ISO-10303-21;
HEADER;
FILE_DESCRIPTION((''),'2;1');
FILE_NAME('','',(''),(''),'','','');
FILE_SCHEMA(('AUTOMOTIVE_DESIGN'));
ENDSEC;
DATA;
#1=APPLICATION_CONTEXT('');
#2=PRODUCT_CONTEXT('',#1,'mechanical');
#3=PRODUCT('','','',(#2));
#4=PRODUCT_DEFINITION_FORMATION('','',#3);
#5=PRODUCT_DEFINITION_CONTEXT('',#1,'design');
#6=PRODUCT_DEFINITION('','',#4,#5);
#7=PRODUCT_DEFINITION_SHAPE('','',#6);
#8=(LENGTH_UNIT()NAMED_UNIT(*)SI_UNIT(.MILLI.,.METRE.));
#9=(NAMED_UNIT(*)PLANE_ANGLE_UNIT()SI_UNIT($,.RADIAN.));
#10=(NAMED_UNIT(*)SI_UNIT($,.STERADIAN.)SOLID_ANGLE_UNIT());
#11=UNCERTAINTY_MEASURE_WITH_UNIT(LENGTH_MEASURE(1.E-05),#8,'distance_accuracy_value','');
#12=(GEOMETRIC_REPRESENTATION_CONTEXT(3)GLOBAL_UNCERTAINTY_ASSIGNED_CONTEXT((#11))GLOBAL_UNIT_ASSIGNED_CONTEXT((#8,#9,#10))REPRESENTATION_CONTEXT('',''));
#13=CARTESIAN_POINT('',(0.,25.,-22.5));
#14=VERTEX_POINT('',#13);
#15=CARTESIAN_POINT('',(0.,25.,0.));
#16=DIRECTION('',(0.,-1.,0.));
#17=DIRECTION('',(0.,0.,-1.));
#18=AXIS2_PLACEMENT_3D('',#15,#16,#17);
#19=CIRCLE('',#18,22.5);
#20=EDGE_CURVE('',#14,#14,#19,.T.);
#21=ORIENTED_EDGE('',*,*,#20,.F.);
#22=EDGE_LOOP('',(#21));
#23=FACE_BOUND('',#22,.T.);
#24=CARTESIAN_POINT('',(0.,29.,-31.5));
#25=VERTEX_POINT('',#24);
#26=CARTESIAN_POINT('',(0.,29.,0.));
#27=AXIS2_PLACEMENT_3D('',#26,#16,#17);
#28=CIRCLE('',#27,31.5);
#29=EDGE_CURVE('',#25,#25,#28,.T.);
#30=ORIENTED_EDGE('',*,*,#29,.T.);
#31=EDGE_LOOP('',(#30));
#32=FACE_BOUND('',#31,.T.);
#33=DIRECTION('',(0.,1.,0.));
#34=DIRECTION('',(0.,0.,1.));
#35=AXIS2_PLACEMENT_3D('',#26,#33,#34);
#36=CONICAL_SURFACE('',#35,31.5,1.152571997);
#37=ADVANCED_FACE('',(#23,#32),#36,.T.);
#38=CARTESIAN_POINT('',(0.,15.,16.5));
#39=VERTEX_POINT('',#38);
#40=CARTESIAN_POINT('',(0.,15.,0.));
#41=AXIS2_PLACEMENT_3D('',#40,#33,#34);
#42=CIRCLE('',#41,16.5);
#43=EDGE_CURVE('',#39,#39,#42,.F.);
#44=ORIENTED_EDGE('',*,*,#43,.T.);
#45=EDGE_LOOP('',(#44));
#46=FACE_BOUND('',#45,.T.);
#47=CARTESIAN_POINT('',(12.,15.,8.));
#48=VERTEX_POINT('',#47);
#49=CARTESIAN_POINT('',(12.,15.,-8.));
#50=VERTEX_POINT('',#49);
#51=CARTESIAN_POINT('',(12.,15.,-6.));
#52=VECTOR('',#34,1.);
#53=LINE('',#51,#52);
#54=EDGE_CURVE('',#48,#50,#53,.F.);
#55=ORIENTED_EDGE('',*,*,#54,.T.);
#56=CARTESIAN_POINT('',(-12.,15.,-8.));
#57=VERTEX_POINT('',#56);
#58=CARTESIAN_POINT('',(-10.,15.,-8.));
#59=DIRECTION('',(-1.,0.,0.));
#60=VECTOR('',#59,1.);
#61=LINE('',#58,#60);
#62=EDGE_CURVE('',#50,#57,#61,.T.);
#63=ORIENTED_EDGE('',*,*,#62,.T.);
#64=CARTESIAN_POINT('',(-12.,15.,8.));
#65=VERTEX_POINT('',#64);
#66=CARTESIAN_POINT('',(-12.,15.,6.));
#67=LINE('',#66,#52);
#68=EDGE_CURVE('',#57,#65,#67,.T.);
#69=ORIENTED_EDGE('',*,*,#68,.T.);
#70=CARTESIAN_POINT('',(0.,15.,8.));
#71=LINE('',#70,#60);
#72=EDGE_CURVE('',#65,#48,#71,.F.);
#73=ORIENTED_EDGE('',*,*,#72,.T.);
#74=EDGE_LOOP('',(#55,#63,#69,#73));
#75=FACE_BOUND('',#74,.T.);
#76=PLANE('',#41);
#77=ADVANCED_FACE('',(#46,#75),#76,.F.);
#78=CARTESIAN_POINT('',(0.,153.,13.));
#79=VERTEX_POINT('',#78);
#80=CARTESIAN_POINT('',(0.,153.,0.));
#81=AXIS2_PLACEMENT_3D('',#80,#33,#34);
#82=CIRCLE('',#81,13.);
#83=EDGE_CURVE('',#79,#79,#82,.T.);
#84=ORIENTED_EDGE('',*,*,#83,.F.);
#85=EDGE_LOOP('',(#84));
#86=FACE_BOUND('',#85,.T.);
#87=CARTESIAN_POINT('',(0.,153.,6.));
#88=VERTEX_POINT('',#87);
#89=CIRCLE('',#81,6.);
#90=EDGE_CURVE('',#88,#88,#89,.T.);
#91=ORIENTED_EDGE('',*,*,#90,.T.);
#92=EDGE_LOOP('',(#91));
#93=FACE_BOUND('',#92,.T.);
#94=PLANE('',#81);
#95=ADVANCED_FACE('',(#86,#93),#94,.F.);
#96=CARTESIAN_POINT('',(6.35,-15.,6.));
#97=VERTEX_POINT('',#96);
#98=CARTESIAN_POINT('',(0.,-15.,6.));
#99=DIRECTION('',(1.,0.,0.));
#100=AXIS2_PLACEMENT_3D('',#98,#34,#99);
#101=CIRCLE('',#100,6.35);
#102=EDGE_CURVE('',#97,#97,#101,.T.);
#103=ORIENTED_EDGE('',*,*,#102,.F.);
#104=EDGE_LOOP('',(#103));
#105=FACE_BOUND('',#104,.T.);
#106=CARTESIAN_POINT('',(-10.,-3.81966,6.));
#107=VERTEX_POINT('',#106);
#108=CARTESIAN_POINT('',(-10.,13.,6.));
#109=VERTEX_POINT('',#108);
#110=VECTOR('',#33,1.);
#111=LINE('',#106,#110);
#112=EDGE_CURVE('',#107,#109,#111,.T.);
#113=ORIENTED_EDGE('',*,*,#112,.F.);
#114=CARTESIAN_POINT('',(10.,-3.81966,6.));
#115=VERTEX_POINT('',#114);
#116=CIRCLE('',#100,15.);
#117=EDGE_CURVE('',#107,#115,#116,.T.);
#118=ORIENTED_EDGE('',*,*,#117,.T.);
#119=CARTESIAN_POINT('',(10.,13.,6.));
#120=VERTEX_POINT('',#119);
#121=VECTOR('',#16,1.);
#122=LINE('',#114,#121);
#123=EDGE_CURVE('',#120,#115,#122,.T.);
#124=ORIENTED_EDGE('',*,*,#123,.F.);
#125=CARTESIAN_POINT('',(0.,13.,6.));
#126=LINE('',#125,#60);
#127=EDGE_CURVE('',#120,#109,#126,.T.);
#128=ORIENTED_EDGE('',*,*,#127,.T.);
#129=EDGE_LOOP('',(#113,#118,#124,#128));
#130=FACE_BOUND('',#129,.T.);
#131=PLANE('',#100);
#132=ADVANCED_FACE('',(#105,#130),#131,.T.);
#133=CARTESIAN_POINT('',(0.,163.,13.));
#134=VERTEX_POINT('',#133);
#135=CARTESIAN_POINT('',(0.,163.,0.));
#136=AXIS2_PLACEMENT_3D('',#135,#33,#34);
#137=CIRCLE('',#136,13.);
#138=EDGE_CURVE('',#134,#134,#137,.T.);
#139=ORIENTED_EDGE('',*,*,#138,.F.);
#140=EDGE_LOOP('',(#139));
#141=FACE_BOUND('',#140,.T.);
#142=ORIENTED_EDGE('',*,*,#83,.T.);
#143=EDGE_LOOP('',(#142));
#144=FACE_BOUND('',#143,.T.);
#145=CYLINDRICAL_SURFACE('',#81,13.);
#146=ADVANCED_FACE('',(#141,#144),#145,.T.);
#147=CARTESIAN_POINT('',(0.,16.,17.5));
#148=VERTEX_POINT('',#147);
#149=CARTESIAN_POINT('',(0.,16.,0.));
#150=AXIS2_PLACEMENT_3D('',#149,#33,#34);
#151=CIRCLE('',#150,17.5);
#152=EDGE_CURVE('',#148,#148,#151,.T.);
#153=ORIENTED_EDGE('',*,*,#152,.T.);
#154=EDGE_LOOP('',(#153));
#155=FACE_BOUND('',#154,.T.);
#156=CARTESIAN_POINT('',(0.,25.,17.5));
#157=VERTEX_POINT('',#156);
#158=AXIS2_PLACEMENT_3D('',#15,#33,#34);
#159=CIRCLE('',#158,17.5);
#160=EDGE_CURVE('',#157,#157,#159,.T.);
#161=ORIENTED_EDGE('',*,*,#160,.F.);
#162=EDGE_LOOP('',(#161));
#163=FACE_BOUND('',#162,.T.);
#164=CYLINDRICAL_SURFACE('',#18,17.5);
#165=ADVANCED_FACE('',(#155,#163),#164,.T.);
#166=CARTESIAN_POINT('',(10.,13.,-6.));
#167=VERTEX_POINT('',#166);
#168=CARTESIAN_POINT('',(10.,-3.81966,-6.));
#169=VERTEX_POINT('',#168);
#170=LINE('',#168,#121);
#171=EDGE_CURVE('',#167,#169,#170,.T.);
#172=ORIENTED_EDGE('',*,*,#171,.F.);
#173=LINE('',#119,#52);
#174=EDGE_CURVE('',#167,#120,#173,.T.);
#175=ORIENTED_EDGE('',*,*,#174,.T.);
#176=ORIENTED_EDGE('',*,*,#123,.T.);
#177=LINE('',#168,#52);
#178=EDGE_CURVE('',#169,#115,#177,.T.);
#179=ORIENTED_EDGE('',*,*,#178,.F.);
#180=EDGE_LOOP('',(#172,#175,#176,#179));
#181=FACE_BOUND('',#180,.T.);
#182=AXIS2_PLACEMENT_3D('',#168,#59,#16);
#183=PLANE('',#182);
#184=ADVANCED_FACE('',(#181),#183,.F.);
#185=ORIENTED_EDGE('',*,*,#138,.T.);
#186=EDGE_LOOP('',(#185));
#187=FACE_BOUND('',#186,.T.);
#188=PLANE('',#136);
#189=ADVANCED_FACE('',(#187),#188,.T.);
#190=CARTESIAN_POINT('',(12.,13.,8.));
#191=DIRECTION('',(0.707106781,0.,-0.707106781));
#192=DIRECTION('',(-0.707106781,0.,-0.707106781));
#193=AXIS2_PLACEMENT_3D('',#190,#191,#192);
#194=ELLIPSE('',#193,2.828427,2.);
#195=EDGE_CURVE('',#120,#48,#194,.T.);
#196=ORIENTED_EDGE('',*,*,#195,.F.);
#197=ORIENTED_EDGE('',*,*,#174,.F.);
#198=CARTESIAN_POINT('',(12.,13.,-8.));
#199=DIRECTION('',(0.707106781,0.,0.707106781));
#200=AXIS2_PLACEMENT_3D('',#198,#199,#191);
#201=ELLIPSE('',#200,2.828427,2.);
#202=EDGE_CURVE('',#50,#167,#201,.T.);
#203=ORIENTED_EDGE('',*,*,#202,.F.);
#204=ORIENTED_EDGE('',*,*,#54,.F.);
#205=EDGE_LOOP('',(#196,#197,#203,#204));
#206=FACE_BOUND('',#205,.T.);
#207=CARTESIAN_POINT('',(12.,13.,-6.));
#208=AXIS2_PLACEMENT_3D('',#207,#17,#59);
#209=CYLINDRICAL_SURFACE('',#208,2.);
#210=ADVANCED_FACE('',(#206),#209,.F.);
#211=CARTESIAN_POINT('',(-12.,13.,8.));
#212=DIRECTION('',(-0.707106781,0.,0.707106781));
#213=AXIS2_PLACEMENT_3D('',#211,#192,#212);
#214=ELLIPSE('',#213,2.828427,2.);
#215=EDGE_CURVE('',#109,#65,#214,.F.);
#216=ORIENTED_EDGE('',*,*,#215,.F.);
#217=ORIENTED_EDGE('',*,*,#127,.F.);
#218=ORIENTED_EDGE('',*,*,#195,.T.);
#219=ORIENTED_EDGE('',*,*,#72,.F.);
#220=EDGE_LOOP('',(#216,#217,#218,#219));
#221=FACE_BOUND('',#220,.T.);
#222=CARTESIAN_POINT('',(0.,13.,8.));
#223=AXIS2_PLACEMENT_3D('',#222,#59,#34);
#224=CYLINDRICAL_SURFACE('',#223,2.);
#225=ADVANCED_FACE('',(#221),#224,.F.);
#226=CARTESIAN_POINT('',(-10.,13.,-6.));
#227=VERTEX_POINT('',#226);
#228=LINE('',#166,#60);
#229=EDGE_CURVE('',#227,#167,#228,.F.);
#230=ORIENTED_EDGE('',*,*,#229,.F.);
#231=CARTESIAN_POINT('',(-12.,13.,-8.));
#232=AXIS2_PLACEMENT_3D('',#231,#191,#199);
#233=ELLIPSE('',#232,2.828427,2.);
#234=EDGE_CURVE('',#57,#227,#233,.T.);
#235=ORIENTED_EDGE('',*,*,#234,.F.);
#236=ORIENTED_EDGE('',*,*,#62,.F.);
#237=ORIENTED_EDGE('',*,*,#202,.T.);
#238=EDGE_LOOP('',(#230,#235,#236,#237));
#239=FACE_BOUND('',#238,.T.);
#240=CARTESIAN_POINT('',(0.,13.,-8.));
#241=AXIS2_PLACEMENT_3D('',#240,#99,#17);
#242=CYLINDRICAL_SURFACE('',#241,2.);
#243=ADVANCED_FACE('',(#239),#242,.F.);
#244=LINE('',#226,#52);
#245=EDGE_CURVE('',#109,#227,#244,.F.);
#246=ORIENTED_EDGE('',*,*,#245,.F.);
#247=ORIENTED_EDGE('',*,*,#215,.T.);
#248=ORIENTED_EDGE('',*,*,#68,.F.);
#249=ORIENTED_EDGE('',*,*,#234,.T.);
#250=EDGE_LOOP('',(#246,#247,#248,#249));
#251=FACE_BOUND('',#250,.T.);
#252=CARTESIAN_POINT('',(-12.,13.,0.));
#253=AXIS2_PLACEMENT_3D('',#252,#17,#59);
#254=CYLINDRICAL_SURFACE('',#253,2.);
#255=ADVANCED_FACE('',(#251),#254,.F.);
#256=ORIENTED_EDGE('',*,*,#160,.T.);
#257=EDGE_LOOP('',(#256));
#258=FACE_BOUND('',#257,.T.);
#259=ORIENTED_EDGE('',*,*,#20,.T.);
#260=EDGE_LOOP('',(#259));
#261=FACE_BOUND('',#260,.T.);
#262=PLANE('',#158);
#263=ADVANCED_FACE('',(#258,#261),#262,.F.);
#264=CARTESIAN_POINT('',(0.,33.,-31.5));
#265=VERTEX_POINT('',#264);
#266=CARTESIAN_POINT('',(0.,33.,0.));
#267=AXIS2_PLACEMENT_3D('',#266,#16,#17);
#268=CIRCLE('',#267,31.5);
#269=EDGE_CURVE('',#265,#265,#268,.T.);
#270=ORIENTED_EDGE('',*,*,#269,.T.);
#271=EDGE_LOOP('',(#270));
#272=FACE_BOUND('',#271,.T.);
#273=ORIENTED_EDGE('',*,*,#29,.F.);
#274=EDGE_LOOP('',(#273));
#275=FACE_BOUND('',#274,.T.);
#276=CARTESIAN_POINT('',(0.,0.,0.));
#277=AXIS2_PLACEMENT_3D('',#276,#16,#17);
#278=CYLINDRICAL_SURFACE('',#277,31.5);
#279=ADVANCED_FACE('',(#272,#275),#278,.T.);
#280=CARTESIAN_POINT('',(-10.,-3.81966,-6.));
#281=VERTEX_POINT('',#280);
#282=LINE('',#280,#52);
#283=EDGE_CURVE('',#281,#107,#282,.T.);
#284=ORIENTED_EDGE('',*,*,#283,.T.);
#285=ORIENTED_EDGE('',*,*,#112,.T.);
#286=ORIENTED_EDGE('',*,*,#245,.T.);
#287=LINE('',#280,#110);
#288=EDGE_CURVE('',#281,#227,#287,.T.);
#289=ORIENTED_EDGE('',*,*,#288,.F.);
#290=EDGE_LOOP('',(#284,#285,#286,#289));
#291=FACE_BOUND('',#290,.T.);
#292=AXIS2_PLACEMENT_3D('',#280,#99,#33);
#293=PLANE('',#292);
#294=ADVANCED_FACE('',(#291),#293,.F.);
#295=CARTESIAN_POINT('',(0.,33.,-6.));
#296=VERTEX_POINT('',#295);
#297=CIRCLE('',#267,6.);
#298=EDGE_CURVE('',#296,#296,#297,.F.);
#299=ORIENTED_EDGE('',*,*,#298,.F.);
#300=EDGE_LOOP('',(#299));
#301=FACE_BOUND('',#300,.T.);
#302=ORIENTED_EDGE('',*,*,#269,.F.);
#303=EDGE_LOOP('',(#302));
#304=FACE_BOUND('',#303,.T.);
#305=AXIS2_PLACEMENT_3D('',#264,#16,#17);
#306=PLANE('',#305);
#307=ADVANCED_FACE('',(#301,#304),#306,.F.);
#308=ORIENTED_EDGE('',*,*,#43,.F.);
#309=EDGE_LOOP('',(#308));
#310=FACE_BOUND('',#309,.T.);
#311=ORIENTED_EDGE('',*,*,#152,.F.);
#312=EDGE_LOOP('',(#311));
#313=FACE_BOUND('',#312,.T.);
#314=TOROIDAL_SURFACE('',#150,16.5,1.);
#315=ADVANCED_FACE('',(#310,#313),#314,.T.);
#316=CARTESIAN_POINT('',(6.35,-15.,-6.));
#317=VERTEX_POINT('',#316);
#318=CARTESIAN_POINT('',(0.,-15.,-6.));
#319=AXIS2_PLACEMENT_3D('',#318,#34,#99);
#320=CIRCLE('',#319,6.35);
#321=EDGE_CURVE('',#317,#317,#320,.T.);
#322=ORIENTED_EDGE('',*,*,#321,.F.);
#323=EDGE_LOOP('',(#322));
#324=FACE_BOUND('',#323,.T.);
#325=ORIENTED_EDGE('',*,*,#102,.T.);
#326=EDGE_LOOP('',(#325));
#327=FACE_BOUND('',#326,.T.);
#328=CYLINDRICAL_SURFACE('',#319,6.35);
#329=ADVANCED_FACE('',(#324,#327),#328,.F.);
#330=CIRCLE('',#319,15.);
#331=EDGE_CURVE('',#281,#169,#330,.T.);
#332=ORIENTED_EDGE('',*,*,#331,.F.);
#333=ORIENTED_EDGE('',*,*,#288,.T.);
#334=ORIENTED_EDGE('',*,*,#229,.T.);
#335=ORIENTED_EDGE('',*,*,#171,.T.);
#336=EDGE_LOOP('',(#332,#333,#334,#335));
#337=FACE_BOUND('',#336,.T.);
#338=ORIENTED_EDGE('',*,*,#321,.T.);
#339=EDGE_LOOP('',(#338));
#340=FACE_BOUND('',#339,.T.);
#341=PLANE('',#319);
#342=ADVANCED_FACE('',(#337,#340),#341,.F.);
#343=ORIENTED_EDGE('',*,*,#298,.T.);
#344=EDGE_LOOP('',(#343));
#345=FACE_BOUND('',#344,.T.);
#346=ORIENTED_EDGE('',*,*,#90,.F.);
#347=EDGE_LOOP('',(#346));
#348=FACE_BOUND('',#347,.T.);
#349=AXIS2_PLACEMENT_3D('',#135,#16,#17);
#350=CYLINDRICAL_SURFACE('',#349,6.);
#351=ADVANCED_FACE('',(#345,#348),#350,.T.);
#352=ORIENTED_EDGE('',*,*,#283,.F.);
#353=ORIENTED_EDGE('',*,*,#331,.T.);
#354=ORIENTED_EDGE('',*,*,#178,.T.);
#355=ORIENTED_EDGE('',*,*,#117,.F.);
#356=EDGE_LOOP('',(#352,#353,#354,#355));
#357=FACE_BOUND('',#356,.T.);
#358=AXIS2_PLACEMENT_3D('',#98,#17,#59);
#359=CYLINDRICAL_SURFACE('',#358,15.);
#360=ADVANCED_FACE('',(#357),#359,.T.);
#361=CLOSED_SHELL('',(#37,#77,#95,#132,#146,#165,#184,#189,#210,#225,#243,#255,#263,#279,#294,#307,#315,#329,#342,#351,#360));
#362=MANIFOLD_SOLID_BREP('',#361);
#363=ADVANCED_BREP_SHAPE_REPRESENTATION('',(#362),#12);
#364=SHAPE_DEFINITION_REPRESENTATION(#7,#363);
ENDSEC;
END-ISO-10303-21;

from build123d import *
from build123d.topology import SkipClean

# Parameters (mm, degrees)
BOSS_EXTRUDE1_DEPTH = 6
SKETCH2_R           = 6.35
CUT_EXTRUDE1_DEPTH  = 36.623026261
CUT_EXTRUDE2_DEPTH  = 36.623026261
SKETCH4_R           = 17.5
BOSS_EXTRUDE2_DEPTH = 10
FILLET3_R           = 1
FILLET4_R           = 2
SKETCH6_R           = 6
BOSS_EXTRUDE3_DEPTH = 130
SKETCH7_R           = 13
BOSS_EXTRUDE4_DEPTH = 10


with BuildPart() as part:
    # Sketch1 → Boss-Extrude1 (new, symmetric)
    with BuildSketch(Plane.XY):
        with BuildLine():
            Line((-15, 15), (15, 15))
            Line((15, 15), (15, -15))
            ThreePointArc((15, -15), (0, -30), (-15, -15))
            Line((-15, -15), (-15, 15))
        make_face()
    extrude(amount=BOSS_EXTRUDE1_DEPTH, both=True)

    # Sketch2 → Cut-Extrude1 (cut, through all)
    with BuildSketch(Plane.XY.offset(6)):
        with Locations((0, -15)):
            Circle(SKETCH2_R)
    extrude(amount=-CUT_EXTRUDE1_DEPTH, mode=Mode.SUBTRACT)

    # Sketch3 → Cut-Extrude2 (cut, through all)
    with SkipClean():  # the faces are left unmerged after this step: merging them gives an invalid solid
        with BuildSketch(Plane.XY.offset(6)):
            with BuildLine():
                Line((-10, -3.819660113), (-10, 15))
                Line((-10, 15), (-15, 15))
                Line((-15, 15), (-15, -15))
                ThreePointArc((-15, -15), (-13.693063938, -8.876275643), (-10, -3.819660113))
            make_face()
            with BuildLine():
                Line((15, 15), (15, -15))
                ThreePointArc((15, -15), (13.693063938, -8.876275643), (10, -3.819660113))
                Line((10, -3.819660113), (10, 15))
                Line((10, 15), (15, 15))
            make_face()
        extrude(amount=-CUT_EXTRUDE2_DEPTH, mode=Mode.SUBTRACT)

    # Sketch4 → Boss-Extrude2 (add)
    with BuildSketch(Plane(origin=(0, 15, 0), x_dir=(1, 0, 0), z_dir=(0, 1, 0))):
        with Locations(Location((0, 0, 0), (0, 0, 270))):
            Circle(SKETCH4_R)
    extrude(amount=BOSS_EXTRUDE2_DEPTH)

    # Fillet3
    fillet3_edges = [part.edges().sort_by_distance(p)[0] for p in [
        (0, 15, -17.5),
    ]]
    fillet(fillet3_edges, radius=FILLET3_R)

    # Fillet4
    fillet4_edges = [part.edges().sort_by_distance(p)[0] for p in [
        (-10, 15, 0),
        (0, 15, -6),
        (0, 15, 6),
        (10, 15, 0),
    ]]
    fillet(fillet4_edges, radius=FILLET4_R)

    # Sketch5 → Revolve1 (revolve)
    with BuildSketch(Plane(origin=(0, 0, 0), x_dir=(0, 0, -1), z_dir=(1, 0, 0)), mode=Mode.PRIVATE) as revolve1_sk:
        Polygon((0, 25), (-22.5, 25), (-31.5, 29), (-31.5, 33), (0, 33), align=None)
    revolve(revolve1_sk.sketch.rotate(Axis((0, 0, 0), (0, 1, 0)), 180), axis=Axis((0, 0, 0), (0, 1, 0)))

    # Sketch6 → Boss-Extrude3 (add)
    with BuildSketch(Plane(origin=(0, 33, 0), x_dir=(1, 0, 0), z_dir=(0, 1, 0))):
        with Locations(Location((0, 0, 0), (0, 0, 90))):
            Circle(SKETCH6_R)
    extrude(amount=BOSS_EXTRUDE3_DEPTH)

    # Sketch7 → Boss-Extrude4 (add)
    with BuildSketch(Plane(origin=(0, 163, 0), x_dir=(1, 0, 0), z_dir=(0, 1, 0))):
        with Locations(Location((0, 0, 0), (0, 0, 270))):
            Circle(SKETCH7_R)
    extrude(amount=-BOSS_EXTRUDE4_DEPTH)


solid = part.part
